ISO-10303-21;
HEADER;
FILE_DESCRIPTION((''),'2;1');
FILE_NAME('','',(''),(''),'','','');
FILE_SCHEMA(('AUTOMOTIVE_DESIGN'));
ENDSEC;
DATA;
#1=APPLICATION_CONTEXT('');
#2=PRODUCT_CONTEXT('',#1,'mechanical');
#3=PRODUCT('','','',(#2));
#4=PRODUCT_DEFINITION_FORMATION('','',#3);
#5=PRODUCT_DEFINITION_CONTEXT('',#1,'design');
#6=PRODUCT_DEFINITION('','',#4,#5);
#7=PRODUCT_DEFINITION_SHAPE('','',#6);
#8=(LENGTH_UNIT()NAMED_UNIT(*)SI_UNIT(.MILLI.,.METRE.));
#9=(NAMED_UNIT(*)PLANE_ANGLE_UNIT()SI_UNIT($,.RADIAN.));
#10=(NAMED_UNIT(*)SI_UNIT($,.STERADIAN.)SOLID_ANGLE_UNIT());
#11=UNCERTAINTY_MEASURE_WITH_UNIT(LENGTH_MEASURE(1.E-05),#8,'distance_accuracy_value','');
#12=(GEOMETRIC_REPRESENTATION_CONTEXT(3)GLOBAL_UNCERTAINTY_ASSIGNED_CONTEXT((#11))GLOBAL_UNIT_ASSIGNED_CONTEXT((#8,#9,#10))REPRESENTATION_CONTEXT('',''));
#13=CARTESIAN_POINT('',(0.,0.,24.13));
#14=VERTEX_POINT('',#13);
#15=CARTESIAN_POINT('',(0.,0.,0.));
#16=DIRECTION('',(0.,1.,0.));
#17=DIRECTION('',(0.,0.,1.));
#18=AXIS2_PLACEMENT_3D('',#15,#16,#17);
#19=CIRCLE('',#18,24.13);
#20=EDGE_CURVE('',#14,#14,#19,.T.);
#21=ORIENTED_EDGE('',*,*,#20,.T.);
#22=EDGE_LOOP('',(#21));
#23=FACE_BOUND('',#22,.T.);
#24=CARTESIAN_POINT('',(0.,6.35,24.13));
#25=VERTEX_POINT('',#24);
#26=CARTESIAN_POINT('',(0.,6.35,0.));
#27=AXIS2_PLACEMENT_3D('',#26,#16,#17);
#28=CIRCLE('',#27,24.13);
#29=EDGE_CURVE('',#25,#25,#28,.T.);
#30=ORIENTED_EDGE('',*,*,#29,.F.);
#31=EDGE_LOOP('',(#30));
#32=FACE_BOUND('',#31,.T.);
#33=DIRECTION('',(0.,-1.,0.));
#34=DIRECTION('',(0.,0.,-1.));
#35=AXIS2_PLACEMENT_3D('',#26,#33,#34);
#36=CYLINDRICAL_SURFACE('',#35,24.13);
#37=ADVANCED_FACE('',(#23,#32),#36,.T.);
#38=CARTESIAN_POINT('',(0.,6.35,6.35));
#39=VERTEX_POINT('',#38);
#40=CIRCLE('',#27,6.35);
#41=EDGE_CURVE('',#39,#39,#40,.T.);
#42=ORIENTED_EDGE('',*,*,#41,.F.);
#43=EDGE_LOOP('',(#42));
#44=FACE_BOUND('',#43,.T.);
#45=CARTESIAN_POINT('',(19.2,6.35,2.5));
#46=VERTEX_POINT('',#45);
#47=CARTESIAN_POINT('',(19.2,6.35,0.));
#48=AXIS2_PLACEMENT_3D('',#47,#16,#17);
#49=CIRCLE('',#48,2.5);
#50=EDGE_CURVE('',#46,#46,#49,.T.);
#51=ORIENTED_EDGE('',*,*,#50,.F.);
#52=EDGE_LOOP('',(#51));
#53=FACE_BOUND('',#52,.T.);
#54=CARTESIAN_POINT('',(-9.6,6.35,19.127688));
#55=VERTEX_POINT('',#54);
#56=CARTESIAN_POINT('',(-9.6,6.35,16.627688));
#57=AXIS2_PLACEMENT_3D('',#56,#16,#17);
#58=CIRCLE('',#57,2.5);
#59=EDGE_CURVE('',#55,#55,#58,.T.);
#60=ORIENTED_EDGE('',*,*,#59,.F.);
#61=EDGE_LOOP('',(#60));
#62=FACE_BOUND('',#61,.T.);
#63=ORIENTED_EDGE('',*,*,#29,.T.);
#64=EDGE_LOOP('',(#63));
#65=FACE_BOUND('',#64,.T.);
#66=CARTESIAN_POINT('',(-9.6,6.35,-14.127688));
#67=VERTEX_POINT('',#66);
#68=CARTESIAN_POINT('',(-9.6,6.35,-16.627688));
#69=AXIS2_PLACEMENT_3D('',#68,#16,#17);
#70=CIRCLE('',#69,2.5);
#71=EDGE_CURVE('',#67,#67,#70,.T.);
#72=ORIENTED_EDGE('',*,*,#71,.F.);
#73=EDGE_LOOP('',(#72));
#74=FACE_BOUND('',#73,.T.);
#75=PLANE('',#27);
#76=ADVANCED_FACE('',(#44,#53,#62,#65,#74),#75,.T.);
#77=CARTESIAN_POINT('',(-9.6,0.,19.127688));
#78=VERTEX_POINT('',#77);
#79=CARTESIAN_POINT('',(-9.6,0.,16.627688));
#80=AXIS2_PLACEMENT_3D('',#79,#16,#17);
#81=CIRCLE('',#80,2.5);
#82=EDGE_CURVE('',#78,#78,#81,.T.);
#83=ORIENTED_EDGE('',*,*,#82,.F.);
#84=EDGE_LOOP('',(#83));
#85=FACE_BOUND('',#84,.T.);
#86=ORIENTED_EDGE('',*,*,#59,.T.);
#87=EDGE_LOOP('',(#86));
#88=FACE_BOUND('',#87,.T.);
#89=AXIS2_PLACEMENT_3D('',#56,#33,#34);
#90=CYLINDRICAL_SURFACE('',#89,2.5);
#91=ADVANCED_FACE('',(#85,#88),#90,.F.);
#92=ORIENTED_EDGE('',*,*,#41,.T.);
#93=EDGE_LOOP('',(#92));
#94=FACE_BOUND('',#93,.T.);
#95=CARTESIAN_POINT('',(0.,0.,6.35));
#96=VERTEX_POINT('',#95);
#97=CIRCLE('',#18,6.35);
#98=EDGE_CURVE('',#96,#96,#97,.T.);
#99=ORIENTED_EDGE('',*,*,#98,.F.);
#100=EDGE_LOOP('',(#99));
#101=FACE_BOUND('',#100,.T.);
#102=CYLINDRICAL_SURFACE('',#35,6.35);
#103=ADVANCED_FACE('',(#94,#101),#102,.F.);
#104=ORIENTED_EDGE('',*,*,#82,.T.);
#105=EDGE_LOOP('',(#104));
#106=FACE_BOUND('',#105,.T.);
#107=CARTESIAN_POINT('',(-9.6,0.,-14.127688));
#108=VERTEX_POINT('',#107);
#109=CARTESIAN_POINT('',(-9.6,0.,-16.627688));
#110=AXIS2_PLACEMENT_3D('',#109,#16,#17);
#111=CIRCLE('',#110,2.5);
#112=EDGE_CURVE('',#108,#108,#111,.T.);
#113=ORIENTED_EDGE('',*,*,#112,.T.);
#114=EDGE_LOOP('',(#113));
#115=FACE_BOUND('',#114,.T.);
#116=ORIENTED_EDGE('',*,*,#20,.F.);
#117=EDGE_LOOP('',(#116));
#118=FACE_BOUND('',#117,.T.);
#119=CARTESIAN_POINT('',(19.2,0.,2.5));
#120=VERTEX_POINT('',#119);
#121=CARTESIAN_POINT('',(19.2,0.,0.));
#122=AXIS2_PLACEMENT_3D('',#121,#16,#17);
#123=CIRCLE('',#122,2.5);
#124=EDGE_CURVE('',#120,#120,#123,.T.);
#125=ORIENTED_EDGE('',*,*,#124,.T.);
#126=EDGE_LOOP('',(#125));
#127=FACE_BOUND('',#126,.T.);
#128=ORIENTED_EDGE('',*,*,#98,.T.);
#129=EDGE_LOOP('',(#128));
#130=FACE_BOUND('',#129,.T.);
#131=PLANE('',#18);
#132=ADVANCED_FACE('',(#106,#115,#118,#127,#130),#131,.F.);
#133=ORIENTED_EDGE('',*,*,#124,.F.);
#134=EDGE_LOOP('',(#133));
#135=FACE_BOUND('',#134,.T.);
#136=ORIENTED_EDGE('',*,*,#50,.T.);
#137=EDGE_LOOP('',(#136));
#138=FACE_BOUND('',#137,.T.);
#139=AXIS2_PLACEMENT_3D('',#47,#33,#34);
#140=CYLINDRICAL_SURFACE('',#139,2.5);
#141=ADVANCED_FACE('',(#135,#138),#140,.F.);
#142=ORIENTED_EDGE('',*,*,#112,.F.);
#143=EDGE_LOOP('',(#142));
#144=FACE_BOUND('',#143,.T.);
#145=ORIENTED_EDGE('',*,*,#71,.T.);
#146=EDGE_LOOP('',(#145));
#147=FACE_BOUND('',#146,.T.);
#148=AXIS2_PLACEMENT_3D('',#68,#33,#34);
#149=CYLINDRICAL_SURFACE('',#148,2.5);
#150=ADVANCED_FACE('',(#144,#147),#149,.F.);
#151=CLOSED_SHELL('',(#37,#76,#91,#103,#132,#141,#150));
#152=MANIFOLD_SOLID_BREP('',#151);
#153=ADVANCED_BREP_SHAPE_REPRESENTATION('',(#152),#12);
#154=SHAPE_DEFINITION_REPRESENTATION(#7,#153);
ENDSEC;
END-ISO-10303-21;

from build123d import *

# Parameters (mm, degrees)
SKETCH1_R           = 24.13
SKETCH1_R_2         = 2.5
SKETCH1_R_3         = 6.35
BOSS_EXTRUDE1_DEPTH = 6.35


with BuildPart() as part:
    # Sketch1 → Boss-Extrude1 (new body)
    with BuildSketch(Plane(origin=(0, 0, 0), x_dir=(1, 0, 0), z_dir=(0, 1, 0))):
        Circle(SKETCH1_R)
        with Locations((19.2, 0)):
            Circle(SKETCH1_R_2, mode=Mode.SUBTRACT)
        with Locations((-9.6, 16.627687753)):
            Circle(SKETCH1_R_2, mode=Mode.SUBTRACT)
        with Locations((-9.6, -16.627687753)):
            Circle(SKETCH1_R_2, mode=Mode.SUBTRACT)
        Circle(SKETCH1_R_3, mode=Mode.SUBTRACT)
    extrude(amount=BOSS_EXTRUDE1_DEPTH)


solid = part.part
